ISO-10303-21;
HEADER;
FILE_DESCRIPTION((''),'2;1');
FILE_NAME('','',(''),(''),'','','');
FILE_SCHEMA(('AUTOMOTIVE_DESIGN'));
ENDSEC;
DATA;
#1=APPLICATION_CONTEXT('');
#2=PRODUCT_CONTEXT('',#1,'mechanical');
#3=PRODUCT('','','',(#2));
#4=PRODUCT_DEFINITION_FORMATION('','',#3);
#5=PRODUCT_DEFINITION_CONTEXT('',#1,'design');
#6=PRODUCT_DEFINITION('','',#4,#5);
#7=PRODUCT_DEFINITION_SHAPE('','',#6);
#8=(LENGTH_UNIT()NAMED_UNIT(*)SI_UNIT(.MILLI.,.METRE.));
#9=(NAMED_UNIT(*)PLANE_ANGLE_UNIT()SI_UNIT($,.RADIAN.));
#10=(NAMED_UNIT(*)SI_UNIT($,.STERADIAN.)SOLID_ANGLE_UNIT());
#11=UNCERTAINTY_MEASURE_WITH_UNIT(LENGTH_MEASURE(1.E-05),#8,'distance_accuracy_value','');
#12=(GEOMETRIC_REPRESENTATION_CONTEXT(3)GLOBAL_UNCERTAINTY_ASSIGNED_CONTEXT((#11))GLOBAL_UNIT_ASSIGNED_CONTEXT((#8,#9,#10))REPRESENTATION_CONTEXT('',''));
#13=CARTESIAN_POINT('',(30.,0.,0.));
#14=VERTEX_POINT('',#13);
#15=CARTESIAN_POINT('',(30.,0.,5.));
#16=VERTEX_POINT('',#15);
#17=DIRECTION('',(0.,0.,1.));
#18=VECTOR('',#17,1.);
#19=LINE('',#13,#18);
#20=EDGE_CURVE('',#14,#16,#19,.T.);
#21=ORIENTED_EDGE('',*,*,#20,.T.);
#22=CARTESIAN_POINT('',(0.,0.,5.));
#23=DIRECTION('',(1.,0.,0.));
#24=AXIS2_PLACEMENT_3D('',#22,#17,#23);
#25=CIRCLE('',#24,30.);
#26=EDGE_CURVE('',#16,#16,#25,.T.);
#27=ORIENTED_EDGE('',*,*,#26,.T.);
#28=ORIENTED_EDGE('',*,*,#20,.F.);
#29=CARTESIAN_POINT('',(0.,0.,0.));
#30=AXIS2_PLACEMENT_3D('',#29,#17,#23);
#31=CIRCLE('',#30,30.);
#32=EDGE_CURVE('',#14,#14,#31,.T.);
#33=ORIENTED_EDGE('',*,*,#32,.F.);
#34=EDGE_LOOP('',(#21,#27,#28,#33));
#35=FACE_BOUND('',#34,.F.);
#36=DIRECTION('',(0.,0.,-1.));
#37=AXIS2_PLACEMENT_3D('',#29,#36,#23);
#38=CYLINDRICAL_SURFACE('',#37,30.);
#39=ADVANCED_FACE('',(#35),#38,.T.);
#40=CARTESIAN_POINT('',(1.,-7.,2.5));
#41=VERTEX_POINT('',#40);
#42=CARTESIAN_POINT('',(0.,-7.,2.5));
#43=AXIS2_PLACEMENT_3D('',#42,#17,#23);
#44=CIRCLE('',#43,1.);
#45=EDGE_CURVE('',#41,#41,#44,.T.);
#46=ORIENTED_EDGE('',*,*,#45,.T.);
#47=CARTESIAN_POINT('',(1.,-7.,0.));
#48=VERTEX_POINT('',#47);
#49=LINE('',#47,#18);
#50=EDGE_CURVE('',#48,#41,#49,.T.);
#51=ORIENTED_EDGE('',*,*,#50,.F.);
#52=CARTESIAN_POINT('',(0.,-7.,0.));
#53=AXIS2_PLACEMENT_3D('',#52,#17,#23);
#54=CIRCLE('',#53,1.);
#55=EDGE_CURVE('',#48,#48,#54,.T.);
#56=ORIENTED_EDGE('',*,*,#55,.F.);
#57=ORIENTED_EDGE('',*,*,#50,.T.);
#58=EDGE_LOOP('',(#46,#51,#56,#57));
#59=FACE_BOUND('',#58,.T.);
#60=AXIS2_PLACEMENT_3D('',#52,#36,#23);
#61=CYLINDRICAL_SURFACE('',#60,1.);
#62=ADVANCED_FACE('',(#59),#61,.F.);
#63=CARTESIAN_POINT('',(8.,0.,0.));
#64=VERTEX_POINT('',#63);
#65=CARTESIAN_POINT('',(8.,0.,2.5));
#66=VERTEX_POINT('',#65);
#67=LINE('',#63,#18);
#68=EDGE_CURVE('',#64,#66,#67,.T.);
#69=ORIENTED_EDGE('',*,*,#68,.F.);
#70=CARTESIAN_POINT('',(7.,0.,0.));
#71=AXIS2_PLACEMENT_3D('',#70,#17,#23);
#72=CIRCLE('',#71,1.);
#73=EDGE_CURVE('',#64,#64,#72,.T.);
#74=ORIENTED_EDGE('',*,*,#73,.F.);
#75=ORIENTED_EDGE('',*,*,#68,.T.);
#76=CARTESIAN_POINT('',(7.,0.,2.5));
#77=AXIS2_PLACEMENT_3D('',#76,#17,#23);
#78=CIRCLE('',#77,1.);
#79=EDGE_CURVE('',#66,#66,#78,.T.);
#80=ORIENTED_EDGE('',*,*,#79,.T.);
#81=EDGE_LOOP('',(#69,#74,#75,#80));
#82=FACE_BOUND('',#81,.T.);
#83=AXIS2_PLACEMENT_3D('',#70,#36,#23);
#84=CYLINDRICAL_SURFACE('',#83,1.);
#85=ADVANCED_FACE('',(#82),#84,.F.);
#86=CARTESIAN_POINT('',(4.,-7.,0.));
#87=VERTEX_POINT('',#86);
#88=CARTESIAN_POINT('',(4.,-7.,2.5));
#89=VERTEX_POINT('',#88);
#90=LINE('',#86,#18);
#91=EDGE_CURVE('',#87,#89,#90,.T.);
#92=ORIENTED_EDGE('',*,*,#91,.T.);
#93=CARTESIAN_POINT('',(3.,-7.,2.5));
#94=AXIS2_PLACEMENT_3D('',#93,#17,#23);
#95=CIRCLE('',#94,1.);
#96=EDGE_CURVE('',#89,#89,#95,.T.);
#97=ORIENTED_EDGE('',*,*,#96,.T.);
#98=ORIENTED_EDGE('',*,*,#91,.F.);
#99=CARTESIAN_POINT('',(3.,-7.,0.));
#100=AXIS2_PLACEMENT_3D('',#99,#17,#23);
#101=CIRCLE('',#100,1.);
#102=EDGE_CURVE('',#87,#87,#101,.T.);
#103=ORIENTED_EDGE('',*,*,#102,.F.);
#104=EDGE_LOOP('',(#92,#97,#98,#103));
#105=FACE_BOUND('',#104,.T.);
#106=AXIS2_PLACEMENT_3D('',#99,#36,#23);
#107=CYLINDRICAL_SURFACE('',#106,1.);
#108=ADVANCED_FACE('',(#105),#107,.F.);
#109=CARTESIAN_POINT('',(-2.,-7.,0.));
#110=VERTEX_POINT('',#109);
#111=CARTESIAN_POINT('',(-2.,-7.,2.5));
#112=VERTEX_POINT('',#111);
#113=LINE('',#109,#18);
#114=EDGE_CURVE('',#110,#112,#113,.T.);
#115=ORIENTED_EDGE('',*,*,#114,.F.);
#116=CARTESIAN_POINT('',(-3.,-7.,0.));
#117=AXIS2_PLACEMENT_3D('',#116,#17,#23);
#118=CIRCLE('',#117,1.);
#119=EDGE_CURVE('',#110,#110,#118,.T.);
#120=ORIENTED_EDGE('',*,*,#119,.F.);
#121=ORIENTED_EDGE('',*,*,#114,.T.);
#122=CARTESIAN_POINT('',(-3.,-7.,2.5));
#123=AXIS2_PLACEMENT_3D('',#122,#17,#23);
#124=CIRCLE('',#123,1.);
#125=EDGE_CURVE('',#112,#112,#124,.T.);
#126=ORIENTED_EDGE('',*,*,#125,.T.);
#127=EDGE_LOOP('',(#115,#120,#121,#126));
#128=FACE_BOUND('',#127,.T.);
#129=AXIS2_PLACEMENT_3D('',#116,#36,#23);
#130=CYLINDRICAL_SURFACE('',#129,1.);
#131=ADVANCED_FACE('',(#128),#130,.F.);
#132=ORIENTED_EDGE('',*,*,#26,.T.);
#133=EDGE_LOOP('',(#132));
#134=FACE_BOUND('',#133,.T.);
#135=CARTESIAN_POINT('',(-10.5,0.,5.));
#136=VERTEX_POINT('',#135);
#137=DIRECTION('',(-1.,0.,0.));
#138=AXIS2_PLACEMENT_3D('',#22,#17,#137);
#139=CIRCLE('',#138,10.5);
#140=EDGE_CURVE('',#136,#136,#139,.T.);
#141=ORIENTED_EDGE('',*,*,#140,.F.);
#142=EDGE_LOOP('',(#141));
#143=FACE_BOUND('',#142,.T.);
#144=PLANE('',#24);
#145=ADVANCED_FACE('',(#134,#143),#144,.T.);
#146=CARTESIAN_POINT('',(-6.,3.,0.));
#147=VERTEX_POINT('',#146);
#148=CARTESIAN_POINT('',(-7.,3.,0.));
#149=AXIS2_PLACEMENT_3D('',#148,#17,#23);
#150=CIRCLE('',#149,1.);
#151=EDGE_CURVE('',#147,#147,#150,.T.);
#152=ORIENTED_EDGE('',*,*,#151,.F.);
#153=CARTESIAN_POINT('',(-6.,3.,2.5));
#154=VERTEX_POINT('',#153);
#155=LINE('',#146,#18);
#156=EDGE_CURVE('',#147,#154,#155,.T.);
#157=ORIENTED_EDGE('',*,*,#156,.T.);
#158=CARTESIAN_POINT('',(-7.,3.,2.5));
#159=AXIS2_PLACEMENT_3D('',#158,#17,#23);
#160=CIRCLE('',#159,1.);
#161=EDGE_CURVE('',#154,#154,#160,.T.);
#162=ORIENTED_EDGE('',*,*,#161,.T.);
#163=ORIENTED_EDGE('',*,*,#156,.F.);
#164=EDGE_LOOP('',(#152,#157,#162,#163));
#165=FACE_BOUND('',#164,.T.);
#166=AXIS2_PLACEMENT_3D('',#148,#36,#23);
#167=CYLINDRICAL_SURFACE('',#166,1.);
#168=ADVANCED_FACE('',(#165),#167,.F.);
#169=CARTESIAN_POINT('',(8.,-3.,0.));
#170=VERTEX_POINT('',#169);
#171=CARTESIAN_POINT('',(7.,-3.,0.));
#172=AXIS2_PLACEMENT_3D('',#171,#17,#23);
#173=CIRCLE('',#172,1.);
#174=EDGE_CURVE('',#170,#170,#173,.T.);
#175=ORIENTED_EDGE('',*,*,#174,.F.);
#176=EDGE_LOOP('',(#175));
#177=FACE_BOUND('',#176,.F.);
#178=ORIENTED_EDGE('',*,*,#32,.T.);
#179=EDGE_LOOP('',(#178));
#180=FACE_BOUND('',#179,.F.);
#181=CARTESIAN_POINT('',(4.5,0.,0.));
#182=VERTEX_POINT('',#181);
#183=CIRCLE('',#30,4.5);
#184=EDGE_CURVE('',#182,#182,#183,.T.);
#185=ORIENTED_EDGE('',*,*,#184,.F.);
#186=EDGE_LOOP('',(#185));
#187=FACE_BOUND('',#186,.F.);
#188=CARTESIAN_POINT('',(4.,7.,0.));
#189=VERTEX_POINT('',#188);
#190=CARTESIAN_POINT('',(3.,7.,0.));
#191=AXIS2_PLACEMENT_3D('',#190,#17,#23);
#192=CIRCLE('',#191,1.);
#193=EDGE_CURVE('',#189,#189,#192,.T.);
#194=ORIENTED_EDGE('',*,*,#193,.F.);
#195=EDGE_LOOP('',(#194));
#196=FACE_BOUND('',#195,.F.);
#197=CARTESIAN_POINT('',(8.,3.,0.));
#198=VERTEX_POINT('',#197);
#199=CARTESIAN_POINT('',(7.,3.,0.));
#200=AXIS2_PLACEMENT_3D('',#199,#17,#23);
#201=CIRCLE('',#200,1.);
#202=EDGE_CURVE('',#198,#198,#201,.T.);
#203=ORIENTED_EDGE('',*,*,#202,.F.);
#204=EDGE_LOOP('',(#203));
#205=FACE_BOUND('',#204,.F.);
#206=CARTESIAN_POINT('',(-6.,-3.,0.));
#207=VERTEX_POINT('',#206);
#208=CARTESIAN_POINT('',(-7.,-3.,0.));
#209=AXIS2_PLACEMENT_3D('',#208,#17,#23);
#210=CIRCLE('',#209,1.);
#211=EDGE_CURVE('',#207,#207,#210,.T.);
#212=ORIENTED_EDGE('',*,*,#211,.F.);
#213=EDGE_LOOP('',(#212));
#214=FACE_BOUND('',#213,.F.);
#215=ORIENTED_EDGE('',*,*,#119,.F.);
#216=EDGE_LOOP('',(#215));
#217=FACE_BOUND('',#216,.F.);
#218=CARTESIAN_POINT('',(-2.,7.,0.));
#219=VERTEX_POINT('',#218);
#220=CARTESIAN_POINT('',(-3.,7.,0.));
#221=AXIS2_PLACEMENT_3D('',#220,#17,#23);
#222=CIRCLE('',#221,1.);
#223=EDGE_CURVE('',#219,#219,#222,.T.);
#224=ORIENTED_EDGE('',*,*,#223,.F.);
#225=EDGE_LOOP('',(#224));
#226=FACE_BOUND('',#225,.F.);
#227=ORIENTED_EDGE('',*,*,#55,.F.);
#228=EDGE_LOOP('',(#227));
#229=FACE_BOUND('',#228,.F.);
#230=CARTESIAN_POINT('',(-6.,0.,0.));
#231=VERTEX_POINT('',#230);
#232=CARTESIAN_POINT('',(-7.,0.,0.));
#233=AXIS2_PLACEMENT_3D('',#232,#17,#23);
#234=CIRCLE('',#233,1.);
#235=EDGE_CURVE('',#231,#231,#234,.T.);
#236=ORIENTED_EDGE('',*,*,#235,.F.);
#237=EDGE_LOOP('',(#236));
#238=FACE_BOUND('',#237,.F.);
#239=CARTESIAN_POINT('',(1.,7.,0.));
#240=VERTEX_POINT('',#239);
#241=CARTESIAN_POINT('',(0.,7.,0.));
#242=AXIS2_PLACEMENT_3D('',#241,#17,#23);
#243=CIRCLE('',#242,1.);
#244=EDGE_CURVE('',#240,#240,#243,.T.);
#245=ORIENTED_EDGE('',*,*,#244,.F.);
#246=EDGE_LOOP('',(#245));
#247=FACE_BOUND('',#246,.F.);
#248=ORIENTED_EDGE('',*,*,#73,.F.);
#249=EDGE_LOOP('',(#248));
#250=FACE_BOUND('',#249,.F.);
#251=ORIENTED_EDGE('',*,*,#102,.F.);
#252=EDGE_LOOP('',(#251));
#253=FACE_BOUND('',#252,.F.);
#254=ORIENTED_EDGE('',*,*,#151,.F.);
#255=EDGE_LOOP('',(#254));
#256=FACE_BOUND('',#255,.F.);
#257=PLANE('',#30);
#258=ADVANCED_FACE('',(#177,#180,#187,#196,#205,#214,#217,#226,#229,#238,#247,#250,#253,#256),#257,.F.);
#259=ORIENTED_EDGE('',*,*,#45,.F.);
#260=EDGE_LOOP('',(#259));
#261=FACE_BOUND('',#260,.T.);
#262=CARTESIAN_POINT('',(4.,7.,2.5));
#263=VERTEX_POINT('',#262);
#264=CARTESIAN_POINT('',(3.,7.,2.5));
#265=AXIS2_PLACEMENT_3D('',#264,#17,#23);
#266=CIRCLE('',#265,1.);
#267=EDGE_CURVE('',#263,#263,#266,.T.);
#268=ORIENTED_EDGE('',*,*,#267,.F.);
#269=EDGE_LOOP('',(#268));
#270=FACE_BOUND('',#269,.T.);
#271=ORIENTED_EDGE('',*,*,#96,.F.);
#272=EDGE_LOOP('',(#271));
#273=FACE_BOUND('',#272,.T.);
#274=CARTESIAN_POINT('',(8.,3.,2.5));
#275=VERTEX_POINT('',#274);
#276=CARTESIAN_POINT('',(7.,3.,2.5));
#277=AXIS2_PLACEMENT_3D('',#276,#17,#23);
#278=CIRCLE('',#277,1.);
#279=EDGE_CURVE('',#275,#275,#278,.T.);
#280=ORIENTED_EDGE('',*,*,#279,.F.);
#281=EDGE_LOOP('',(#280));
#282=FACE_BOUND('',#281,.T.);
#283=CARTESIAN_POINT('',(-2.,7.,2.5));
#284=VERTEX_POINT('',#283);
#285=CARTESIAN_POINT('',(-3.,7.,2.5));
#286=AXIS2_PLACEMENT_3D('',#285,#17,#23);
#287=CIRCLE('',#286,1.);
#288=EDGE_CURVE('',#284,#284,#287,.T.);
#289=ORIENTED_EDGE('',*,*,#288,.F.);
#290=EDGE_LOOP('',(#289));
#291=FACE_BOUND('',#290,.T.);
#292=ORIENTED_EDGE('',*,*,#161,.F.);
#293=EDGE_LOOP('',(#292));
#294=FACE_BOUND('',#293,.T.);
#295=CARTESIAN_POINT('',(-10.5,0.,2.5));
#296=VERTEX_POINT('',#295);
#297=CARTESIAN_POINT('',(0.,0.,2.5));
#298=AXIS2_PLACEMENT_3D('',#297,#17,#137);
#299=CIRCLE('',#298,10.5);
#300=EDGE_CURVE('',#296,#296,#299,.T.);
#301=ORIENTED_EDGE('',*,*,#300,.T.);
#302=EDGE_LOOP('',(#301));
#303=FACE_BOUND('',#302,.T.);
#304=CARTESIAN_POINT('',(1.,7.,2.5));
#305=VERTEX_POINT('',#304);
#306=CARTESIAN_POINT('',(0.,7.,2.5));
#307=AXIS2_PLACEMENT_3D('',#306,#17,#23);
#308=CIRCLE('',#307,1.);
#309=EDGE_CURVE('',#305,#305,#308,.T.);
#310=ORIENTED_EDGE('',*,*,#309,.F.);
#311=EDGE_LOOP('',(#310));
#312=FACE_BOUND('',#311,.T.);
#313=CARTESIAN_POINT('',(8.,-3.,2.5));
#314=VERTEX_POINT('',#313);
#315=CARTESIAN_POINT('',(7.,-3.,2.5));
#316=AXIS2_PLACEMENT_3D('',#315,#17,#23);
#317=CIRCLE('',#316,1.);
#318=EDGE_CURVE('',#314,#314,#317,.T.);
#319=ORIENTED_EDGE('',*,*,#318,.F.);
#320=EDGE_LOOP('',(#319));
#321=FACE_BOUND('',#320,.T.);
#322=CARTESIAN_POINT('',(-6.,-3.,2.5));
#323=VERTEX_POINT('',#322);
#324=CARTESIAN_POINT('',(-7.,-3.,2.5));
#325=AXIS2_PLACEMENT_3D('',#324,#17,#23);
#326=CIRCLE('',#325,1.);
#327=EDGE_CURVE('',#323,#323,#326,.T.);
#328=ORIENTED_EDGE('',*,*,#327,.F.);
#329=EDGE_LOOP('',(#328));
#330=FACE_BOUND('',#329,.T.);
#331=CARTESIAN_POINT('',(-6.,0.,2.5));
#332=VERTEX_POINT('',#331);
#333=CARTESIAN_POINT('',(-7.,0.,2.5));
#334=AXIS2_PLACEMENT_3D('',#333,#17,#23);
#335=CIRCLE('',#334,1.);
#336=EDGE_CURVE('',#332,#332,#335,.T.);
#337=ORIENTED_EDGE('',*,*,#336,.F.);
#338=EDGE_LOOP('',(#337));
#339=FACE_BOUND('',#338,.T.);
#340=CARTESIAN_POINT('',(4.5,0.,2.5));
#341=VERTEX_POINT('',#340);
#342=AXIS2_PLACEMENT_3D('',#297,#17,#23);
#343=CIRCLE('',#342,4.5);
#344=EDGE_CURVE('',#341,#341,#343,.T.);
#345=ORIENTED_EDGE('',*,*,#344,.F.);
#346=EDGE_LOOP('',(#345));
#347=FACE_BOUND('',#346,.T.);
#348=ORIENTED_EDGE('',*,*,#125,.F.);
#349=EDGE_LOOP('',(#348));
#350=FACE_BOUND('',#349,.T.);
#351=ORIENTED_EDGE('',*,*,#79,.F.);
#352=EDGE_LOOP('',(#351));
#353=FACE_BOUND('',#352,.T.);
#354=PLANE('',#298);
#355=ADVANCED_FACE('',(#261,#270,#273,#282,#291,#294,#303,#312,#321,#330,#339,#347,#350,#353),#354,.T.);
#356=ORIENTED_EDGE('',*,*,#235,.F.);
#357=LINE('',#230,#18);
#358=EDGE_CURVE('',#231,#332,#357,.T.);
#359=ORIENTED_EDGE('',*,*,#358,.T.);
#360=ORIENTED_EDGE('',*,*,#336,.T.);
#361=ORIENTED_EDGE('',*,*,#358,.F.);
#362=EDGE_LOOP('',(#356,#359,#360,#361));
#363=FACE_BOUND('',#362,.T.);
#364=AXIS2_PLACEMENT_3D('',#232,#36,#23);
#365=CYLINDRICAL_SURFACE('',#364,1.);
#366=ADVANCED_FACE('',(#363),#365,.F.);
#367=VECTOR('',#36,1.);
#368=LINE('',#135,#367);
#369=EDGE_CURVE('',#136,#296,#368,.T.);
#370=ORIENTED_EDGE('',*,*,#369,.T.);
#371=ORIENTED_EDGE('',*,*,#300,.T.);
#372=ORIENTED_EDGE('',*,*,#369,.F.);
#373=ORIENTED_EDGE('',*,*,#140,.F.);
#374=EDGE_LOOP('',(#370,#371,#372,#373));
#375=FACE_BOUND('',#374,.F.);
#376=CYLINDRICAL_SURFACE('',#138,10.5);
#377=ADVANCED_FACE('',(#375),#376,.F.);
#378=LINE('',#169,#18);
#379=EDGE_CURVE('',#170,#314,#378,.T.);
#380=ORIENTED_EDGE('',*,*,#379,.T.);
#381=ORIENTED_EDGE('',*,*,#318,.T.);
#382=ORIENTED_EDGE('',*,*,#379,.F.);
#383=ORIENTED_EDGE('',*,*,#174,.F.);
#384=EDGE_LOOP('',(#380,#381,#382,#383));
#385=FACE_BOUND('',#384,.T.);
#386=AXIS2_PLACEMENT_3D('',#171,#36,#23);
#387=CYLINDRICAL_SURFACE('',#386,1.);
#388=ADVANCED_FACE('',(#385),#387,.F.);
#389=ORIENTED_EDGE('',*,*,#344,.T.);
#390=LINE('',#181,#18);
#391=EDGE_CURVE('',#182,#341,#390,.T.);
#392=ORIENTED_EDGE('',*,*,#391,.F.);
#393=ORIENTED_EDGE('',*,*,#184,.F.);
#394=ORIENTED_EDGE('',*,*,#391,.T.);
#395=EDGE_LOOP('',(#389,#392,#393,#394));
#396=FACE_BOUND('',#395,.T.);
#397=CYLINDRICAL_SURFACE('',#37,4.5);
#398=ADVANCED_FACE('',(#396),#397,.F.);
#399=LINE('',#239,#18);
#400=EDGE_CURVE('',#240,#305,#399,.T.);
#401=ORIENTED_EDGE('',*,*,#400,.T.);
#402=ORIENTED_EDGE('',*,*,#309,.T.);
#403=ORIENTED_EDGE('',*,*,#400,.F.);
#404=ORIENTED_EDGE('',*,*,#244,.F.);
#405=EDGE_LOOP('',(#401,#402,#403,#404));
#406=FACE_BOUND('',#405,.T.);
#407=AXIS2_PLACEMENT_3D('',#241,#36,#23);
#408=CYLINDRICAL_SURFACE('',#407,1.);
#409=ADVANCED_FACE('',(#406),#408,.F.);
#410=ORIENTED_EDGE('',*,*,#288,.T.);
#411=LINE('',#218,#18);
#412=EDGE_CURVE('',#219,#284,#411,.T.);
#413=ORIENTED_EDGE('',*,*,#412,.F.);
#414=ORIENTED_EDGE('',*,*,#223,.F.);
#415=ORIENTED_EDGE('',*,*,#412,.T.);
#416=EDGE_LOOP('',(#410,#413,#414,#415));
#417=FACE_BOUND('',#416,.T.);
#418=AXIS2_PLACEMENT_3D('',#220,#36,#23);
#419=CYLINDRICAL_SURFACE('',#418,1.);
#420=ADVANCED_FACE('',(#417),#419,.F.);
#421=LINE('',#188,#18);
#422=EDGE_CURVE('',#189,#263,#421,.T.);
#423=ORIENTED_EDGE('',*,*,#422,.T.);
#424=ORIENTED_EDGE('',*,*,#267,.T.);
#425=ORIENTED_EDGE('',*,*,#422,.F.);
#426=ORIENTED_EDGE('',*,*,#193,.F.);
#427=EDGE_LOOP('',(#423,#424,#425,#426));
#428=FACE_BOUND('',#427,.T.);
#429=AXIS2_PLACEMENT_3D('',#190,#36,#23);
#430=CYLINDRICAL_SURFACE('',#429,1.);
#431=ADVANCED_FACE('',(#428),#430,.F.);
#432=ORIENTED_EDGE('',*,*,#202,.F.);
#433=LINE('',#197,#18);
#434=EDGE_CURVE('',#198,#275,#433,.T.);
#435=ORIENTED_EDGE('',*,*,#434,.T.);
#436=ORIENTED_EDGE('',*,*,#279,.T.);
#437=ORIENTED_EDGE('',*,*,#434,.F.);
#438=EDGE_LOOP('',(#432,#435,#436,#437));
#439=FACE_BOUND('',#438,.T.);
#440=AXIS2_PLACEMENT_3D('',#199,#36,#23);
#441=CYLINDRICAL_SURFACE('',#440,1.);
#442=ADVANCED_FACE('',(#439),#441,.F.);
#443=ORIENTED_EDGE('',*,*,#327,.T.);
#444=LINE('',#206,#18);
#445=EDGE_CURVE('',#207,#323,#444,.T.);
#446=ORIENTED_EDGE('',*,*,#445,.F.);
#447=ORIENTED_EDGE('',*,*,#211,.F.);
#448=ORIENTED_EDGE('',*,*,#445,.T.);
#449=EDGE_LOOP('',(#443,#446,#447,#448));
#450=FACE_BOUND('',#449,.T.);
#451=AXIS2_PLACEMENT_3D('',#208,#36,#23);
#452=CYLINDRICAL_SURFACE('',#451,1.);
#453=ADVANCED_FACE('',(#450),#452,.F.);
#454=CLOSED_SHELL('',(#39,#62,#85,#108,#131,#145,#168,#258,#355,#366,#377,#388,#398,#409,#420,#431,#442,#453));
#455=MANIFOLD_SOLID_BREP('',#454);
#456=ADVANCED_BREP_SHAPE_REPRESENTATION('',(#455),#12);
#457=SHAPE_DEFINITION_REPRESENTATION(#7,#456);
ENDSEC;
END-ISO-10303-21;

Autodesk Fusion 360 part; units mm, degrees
sketch "Sketch1" plane through (0, 0, 0) normal (0, 0, 1) x (1, 0, 0)
  circle A0 centre (0, 0) radius 30
  circle A1 centre (0, 0) radius 4.5
  line L0 (7, -7) -> (-7, -7)
  line L1 (-7, -7) -> (-7, 7)
  line L2 (-7, 7) -> (7, 7)
  line L3 (7, 7) -> (7, -7)
  line L4 (7, -7) -> (-7, 7) construction
  line L5 (-7, -7) -> (7, 7) construction
  line L6 (7, 0) -> (7, 4)
  line L7 (7, 0) -> (7, -4)
  circle A2 centre (7, 3) radius 1
  circle A3 centre (7, 0) radius 1
  circle A4 centre (7, -3) radius 1
  circle A5 centre (-3, 7) radius 1
  circle A6 centre (0, 7) radius 1
  circle A7 centre (3, 7) radius 1
  circle A8 centre (-7, -3) radius 1
  circle A9 centre (-7, 0) radius 1
  circle A10 centre (-7, 3) radius 1
  circle A11 centre (3, -7) radius 1
  circle A12 centre (0, -7) radius 1
  circle A13 centre (-3, -7) radius 1
  dimension "d1" = 60
  dimension "d2" = 9
  dimension "d3" = 14
  dimension "d4" = 14
  dimension "d5" = 4
  dimension "d6" = 4
  dimension "d7" = 2
  dimension "d8" = 2
  dimension "d11" = 0
  dimension "d12" = 0
  dimension "d14" = 360
extrude "Extrude1" add sketch "Sketch1" along normal blind 5 contours A0 | L0 L1 L2 L3 L6 L7 A2 A3 A4 A5 A6 A7 A8 A9 A10 A11 A12 A13
sketch "Sketch2" plane through (0, 0, 5) normal (0, 0, 1) x (-1, 0, 0)
  circle A0 centre (-7, 3) radius 1
  circle A1 centre (3, 7) radius 1
  circle A2 centre (0, 7) radius 1
  circle A3 centre (0, -7) radius 1
  circle A4 centre (-3, 7) radius 1
  circle A5 centre (3, -7) radius 1
  circle A6 centre (0, 0) radius 4.5
  circle A7 centre (-7, -3) radius 1
  circle A8 centre (-7, 0) radius 1
  circle A9 centre (7, 0) radius 1
  circle A10 centre (-3, -7) radius 1
  circle A11 centre (7, -3) radius 1
  circle A12 centre (7, 3) radius 1
  circle A13 centre (0, 0) radius 30
  circle A14 centre (0, 0) radius 10.5
  dimension "d17" = 21
extrude "Extrude2" cut sketch "Sketch2" against normal blind 2.5 contours A14
